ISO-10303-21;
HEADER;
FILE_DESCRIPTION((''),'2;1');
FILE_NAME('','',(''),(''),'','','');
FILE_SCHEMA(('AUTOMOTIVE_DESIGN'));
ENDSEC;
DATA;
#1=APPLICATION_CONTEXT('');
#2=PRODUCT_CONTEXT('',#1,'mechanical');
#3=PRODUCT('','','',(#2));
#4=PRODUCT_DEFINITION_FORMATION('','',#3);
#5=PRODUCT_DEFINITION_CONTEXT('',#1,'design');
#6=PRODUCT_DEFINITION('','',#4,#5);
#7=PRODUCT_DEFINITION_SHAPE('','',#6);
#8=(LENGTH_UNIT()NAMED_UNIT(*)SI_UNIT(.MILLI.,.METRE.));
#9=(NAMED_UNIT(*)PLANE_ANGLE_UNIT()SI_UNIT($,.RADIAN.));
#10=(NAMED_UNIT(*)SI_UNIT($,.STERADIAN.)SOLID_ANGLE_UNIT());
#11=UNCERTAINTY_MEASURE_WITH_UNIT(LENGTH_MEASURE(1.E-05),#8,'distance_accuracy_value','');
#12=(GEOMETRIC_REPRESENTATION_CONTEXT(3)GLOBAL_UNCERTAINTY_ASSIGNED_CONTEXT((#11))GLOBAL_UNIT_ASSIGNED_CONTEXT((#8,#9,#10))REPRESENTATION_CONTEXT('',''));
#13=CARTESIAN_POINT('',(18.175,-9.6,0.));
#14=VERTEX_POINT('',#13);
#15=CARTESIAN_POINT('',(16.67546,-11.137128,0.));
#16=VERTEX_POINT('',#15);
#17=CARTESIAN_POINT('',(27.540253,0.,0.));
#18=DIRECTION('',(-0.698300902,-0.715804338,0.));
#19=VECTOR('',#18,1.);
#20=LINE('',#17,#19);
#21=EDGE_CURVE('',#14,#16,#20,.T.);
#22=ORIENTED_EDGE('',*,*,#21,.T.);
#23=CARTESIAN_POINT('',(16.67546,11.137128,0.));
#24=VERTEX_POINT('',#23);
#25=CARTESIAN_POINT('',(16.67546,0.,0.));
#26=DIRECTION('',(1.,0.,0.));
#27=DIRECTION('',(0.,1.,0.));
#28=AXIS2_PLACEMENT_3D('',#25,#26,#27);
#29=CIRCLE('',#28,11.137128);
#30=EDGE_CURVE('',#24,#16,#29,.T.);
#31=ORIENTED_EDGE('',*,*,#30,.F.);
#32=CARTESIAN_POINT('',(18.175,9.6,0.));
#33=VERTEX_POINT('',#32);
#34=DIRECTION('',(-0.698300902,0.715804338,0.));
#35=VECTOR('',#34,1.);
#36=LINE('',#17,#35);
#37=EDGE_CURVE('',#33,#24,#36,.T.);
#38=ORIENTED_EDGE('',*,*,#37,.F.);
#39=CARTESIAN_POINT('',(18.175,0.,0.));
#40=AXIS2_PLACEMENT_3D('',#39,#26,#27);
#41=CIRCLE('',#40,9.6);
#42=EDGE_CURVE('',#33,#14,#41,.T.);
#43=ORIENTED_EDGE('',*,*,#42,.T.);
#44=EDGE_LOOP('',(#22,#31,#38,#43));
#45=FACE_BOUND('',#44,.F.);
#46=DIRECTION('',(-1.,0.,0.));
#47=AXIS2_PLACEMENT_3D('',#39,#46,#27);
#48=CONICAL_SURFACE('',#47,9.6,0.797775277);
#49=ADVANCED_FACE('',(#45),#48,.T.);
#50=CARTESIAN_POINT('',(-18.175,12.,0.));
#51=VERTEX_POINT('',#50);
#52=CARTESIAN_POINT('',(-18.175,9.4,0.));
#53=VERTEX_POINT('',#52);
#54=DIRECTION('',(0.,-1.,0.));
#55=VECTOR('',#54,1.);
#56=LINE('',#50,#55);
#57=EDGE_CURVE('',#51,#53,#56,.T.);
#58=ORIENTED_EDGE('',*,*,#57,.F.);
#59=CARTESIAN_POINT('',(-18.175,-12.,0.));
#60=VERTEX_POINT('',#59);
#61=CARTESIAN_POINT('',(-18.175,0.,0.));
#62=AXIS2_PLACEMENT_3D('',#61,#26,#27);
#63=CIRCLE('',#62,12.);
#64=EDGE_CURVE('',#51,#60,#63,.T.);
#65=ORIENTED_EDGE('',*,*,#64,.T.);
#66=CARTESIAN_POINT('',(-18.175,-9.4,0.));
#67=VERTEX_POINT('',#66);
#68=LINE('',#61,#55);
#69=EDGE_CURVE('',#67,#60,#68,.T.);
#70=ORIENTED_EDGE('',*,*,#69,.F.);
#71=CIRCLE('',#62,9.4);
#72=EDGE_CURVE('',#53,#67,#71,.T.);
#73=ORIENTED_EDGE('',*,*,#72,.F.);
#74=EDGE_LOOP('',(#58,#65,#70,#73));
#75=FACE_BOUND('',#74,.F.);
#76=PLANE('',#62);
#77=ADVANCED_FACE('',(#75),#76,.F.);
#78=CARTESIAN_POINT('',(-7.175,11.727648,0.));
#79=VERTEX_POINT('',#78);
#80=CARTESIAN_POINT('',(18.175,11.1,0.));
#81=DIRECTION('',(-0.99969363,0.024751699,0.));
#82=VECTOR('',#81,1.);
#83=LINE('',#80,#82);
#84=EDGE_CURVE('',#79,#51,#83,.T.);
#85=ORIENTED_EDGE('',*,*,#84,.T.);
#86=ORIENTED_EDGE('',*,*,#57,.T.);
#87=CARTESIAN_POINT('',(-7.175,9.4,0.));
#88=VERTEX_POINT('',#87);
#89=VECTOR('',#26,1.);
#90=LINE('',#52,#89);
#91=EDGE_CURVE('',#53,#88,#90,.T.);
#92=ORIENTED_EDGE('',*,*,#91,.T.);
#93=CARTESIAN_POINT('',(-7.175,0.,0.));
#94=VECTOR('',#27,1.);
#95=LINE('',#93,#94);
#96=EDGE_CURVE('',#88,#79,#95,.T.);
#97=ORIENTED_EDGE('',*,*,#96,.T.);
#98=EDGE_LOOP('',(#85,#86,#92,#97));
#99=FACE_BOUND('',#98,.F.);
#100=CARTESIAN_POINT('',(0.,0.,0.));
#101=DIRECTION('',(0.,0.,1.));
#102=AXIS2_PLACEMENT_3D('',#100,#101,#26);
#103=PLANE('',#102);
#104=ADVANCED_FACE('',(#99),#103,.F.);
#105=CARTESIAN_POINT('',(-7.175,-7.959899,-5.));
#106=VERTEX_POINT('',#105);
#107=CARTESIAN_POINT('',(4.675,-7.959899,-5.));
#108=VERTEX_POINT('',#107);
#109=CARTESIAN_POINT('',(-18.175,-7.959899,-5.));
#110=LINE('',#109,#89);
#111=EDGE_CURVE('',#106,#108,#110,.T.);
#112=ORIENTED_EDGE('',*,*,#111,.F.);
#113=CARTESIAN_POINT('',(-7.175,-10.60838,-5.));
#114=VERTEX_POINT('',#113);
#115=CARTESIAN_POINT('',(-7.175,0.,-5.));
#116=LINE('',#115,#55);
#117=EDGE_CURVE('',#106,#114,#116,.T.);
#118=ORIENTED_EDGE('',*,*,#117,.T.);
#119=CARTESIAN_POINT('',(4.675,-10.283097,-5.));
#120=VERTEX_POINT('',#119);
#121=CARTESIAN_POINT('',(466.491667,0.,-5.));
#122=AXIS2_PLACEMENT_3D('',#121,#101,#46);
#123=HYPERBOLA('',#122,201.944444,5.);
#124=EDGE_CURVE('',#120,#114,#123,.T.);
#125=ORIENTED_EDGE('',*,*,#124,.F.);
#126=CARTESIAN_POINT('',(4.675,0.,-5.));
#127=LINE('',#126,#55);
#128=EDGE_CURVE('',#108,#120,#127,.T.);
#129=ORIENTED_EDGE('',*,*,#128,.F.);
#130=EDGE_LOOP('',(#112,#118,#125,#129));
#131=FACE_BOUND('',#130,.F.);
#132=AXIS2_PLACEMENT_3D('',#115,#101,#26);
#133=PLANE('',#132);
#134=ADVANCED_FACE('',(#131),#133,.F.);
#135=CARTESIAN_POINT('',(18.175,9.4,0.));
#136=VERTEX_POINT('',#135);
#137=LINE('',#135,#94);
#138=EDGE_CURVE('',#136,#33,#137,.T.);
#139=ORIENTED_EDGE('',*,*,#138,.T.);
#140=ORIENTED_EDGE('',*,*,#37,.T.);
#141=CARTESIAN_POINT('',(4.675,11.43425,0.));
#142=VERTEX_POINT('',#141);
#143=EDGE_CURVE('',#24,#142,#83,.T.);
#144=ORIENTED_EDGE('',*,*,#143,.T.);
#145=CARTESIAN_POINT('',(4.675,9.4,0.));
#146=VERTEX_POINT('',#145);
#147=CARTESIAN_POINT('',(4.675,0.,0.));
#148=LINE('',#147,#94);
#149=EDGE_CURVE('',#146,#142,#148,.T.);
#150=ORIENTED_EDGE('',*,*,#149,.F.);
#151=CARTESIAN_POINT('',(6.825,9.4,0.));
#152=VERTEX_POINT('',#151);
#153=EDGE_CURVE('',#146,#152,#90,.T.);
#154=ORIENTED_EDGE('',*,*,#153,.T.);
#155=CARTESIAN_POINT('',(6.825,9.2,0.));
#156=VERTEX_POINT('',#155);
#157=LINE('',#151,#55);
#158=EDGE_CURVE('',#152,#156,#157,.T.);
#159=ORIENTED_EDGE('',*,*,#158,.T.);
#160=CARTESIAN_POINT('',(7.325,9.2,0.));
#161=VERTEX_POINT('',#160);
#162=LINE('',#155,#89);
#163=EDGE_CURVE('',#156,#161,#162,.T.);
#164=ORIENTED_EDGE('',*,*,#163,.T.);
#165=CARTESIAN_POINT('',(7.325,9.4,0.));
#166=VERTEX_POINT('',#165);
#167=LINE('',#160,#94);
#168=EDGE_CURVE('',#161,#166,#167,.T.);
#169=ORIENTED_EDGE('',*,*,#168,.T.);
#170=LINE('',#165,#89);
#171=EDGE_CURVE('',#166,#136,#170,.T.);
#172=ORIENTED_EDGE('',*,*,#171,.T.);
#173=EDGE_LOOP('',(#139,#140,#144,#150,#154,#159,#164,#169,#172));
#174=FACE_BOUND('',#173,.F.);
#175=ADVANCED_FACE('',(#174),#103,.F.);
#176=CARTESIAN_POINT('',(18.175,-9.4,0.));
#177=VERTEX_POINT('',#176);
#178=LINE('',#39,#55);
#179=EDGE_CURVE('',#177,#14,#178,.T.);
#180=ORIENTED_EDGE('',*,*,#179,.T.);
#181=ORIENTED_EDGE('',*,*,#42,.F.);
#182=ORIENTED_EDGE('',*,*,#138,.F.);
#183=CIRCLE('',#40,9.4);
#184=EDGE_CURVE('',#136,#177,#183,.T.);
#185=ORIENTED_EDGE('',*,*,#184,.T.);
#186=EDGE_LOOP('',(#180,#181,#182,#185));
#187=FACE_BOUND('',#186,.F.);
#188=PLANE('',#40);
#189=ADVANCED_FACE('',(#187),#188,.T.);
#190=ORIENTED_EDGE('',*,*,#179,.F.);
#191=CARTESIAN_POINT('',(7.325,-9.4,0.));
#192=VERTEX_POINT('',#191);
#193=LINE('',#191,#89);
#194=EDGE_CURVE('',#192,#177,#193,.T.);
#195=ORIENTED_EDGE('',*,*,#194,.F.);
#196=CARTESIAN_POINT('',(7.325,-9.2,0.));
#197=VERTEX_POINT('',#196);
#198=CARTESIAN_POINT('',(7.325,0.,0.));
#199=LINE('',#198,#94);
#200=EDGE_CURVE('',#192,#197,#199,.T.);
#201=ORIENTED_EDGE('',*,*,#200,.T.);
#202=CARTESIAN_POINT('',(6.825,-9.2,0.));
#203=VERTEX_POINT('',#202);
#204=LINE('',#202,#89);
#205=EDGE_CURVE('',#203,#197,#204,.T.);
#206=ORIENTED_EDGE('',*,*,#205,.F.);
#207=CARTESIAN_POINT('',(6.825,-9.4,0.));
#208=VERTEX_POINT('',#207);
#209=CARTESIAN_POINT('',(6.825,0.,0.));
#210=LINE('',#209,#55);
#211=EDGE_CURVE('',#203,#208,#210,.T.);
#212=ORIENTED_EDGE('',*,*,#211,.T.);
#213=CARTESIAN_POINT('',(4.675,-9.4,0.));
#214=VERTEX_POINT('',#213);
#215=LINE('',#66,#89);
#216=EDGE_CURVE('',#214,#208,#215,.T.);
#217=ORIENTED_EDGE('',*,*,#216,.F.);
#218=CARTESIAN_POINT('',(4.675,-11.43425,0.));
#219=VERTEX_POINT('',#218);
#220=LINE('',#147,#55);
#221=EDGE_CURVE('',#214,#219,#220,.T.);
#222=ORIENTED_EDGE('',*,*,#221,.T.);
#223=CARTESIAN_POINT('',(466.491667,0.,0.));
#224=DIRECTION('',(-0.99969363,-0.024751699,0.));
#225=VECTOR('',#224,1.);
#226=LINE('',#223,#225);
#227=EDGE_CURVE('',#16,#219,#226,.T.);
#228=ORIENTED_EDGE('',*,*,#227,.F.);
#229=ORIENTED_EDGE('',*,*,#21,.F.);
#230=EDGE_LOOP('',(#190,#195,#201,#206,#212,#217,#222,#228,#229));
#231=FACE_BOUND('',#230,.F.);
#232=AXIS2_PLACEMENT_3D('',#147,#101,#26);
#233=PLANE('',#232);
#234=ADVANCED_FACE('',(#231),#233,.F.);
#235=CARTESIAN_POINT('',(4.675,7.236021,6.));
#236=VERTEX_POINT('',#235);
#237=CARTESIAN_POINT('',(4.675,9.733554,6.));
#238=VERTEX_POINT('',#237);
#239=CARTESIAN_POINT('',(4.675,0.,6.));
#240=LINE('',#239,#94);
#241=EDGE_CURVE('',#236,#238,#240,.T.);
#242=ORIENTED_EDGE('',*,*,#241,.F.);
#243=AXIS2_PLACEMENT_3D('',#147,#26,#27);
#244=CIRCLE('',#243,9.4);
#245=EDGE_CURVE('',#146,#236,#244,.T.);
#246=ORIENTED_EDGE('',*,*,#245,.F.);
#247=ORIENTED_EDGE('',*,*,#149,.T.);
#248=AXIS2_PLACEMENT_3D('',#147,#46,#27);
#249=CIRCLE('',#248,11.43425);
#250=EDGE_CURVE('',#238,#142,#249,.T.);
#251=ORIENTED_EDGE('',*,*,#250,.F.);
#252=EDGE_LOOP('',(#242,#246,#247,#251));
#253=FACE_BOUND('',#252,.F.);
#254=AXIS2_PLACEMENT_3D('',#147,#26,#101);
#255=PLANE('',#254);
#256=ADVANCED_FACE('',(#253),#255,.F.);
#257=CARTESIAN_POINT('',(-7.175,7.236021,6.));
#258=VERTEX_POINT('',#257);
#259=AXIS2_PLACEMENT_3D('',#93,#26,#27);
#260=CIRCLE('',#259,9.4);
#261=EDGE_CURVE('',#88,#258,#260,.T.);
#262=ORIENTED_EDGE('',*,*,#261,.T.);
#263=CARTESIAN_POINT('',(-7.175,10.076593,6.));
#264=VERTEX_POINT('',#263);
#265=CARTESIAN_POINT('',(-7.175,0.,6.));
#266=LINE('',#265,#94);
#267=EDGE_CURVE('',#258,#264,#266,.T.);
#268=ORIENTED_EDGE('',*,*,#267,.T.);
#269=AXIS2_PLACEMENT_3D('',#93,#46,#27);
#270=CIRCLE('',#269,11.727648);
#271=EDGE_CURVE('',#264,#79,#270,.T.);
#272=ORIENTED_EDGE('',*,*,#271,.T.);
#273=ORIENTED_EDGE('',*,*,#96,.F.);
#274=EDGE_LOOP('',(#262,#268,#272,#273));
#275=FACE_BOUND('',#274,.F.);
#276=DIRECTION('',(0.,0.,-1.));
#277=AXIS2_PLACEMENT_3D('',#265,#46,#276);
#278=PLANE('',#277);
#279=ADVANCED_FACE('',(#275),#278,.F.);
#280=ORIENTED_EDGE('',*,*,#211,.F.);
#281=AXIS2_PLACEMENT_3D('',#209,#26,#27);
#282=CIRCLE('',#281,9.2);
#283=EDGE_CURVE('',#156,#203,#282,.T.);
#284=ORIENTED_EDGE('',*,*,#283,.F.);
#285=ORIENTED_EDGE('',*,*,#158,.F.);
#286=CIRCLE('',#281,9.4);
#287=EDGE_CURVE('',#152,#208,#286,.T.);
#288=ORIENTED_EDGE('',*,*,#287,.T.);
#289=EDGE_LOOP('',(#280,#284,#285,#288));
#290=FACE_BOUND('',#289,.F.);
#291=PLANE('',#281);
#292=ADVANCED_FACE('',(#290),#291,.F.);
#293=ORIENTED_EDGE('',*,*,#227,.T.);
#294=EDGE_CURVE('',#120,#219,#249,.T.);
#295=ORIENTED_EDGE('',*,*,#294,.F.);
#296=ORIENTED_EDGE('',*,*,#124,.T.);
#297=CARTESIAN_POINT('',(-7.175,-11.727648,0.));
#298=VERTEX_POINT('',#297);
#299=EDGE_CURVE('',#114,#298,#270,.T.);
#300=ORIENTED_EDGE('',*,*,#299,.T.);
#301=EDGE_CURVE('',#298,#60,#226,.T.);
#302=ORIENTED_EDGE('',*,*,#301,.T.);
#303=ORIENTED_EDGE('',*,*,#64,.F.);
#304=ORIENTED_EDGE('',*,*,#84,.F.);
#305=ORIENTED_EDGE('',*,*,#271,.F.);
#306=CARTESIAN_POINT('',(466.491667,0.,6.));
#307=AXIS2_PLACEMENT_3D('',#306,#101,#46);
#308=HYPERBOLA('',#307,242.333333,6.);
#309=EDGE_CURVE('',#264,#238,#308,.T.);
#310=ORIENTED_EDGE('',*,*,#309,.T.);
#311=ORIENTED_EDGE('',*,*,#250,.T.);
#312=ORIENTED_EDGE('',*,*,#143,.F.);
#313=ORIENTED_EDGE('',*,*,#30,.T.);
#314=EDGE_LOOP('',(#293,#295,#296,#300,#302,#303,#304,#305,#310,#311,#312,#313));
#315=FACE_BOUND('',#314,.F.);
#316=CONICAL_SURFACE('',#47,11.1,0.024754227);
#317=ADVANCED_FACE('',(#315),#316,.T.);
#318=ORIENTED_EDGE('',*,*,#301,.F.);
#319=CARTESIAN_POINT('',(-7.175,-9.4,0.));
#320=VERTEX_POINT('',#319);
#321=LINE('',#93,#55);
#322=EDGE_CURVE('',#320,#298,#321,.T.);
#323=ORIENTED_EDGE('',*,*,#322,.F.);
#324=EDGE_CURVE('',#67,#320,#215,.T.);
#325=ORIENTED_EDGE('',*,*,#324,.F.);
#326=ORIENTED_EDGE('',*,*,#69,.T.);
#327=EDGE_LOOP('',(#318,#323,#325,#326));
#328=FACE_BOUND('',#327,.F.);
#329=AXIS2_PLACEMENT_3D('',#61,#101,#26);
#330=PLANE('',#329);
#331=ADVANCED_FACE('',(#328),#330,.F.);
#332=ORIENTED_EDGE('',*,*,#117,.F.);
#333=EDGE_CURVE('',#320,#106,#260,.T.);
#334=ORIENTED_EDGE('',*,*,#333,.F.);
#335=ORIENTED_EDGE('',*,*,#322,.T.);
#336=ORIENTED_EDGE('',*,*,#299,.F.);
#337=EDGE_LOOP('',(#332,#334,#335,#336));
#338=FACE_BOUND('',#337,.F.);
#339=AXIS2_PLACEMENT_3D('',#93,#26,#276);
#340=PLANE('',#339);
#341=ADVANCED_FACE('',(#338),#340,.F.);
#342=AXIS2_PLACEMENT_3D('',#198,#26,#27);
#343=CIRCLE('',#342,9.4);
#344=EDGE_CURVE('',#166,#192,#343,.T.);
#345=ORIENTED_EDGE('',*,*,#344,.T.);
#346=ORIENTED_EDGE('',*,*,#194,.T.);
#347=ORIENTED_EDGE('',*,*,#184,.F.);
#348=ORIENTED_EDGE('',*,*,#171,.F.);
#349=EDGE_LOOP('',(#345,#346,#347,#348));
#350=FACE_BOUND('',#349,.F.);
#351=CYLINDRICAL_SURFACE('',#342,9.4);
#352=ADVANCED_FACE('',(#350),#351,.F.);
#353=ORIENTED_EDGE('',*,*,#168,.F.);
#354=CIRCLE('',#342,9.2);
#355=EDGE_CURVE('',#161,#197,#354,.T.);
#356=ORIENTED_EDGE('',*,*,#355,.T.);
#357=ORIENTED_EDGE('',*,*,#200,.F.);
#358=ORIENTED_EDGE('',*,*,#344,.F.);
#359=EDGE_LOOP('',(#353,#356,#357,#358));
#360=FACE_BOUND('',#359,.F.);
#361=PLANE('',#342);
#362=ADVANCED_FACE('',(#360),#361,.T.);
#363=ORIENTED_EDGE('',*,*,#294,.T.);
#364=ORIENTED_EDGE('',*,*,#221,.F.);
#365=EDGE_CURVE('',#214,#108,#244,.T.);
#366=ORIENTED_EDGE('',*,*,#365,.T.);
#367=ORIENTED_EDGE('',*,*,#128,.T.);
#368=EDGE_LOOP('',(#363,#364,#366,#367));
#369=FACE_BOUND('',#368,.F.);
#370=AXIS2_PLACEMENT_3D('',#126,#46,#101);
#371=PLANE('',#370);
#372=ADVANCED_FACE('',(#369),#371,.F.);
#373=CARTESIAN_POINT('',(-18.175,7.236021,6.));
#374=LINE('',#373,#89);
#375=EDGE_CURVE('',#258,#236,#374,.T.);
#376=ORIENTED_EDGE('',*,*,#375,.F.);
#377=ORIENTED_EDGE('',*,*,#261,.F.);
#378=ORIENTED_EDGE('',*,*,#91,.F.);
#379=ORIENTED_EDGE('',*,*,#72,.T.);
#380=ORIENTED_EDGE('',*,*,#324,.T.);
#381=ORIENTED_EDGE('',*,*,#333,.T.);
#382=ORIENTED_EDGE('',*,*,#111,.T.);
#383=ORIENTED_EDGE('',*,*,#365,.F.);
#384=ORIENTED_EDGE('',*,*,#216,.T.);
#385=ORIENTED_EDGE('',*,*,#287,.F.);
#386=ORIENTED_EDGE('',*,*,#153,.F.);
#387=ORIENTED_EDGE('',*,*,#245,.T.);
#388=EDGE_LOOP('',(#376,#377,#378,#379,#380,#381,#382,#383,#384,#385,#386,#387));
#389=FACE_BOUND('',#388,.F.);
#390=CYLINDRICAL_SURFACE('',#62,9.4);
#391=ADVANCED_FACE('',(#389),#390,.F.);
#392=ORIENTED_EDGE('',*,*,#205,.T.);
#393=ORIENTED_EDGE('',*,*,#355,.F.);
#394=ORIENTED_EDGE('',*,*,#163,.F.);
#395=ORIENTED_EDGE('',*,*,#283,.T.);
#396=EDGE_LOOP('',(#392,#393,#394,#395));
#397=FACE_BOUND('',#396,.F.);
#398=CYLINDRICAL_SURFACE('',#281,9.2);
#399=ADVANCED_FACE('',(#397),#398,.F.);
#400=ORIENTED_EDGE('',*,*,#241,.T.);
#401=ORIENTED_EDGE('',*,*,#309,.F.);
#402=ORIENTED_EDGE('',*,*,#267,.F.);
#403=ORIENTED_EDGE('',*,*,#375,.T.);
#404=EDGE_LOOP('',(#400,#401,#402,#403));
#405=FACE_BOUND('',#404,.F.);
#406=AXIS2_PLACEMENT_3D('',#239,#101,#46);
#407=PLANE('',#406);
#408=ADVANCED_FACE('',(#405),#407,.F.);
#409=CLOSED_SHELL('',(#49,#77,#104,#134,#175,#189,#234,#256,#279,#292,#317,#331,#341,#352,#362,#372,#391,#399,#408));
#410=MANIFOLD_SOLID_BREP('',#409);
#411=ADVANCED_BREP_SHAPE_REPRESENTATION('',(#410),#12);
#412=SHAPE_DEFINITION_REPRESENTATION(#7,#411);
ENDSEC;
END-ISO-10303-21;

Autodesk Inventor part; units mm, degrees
ref_plane "YZ Plane" through (0, 0, 0) normal (1, 0, 0) x (0, 1, 0)
ref_plane "XZ Plane" through (0, 0, 0) normal (0, 1, 0) x (-1, 0, 0)
ref_plane "XY Plane" through (0, 0, 0) normal (0, 0, 1) x (1, 0, 0)
sketch "Sketch2" plane through (0, 0, 0) normal (0, 0, 1) x (1, 0, 0)
  line L0 (-31.2032, 0) -> (39.8239, 0) construction
  line L1 (18.175, 9.4) -> (18.175, 11.1)
  line L2 (18.175, 11.1) -> (-18.175, 12)
  line L3 (-18.175, 12) -> (-18.175, 9.4)
  line L4 (0, 9.4) -> (0, 0) construction
  line L5 (6.825, 9.4) -> (6.825, 9.2)
  line L6 (6.825, 9.2) -> (7.325, 9.2)
  line L7 (7.325, 9.2) -> (7.325, 9.4)
  line L8 (-18.175, 9.4) -> (6.825, 9.4)
  line L9 (7.325, 9.4) -> (18.175, 9.4)
  line L10 (0, 11.55) -> (0, 9.4) construction
  dimension "d2" = 36.35
  dimension "d34" = 0.2
  dimension "d36" = 0.5
  dimension "d39" = 2.6
  dimension "d40" = 1.7
  dimension "d41" = 9.4
  dimension "d45" = 11.35
revolve "Revolution1" add sketch "Sketch2" angle 270 about axis through (-31.2032, 0, 0) along (1, 0, 0)
sketch "Sketch3" plane through (0, 0, 0) normal (0, 1, 0) x (-1, 0, 0)
  line L0 (18.175, 0) -> (18.175, -12)
  line L1 (18.175, -12) -> (18.175, -12)
  line L2 (18.175, -12) -> (18.175, 0)
  line L3 (18.175, 0) -> (18.175, 0)
  line L4 (-18.175, -9.4) -> (-18.175, -11.1) projected
  line L5 (-18.175, -11.1) -> (-18.175, 0)
  line L6 (-4.675, -5) -> (-4.675, 0)
  line L7 (7.175, -5) -> (-4.675, -5)
  line L8 (-18.175, -11.1) -> (18.175, -12) projected
  line L9 (18.175, -12) -> (-18.175, -11.1)
  line L10 (-4.675, 0) -> (-18.175, 0)
  line L11 (18.175, 0) -> (7.175, 0)
  line L12 (7.175, 0) -> (7.175, -5)
  dimension "d21" = 11
  dimension "d23" = 5
  dimension "d43" = 11.85
extrude "Extrusion1" cut sketch "Sketch3" against normal blind 200
sketch "Sketch4" plane through (0, 0, 0) normal (0, 1, 0) x (-1, 0, 0)
  line L0 (-18.175, 0) -> (18.175, 0) projected
  line L1 (7.175, 0) -> (-4.675, 0)
  line L2 (-4.675, 0) -> (-4.675, 6)
  line L3 (-4.675, 6) -> (7.175, 6)
  line L4 (7.175, 6) -> (7.175, 0)
  line L5 (18.175, 12) -> (18.175, 0) projected
  line L6 (-18.175, 11.1) -> (-18.175, 0) projected
  point P0 (-4.675, 0)
  dimension "d24" = 6
  dimension "d25" = 11
  dimension "d44" = 11.85
extrude "Extrusion2" cut sketch "Sketch4" along normal blind 200
chamfer "Chamfer1" distance 1.5 angle 45 1 edges at (18.175, 0, 11.1)
properties part number "PLASTIC_PART_big_one"
